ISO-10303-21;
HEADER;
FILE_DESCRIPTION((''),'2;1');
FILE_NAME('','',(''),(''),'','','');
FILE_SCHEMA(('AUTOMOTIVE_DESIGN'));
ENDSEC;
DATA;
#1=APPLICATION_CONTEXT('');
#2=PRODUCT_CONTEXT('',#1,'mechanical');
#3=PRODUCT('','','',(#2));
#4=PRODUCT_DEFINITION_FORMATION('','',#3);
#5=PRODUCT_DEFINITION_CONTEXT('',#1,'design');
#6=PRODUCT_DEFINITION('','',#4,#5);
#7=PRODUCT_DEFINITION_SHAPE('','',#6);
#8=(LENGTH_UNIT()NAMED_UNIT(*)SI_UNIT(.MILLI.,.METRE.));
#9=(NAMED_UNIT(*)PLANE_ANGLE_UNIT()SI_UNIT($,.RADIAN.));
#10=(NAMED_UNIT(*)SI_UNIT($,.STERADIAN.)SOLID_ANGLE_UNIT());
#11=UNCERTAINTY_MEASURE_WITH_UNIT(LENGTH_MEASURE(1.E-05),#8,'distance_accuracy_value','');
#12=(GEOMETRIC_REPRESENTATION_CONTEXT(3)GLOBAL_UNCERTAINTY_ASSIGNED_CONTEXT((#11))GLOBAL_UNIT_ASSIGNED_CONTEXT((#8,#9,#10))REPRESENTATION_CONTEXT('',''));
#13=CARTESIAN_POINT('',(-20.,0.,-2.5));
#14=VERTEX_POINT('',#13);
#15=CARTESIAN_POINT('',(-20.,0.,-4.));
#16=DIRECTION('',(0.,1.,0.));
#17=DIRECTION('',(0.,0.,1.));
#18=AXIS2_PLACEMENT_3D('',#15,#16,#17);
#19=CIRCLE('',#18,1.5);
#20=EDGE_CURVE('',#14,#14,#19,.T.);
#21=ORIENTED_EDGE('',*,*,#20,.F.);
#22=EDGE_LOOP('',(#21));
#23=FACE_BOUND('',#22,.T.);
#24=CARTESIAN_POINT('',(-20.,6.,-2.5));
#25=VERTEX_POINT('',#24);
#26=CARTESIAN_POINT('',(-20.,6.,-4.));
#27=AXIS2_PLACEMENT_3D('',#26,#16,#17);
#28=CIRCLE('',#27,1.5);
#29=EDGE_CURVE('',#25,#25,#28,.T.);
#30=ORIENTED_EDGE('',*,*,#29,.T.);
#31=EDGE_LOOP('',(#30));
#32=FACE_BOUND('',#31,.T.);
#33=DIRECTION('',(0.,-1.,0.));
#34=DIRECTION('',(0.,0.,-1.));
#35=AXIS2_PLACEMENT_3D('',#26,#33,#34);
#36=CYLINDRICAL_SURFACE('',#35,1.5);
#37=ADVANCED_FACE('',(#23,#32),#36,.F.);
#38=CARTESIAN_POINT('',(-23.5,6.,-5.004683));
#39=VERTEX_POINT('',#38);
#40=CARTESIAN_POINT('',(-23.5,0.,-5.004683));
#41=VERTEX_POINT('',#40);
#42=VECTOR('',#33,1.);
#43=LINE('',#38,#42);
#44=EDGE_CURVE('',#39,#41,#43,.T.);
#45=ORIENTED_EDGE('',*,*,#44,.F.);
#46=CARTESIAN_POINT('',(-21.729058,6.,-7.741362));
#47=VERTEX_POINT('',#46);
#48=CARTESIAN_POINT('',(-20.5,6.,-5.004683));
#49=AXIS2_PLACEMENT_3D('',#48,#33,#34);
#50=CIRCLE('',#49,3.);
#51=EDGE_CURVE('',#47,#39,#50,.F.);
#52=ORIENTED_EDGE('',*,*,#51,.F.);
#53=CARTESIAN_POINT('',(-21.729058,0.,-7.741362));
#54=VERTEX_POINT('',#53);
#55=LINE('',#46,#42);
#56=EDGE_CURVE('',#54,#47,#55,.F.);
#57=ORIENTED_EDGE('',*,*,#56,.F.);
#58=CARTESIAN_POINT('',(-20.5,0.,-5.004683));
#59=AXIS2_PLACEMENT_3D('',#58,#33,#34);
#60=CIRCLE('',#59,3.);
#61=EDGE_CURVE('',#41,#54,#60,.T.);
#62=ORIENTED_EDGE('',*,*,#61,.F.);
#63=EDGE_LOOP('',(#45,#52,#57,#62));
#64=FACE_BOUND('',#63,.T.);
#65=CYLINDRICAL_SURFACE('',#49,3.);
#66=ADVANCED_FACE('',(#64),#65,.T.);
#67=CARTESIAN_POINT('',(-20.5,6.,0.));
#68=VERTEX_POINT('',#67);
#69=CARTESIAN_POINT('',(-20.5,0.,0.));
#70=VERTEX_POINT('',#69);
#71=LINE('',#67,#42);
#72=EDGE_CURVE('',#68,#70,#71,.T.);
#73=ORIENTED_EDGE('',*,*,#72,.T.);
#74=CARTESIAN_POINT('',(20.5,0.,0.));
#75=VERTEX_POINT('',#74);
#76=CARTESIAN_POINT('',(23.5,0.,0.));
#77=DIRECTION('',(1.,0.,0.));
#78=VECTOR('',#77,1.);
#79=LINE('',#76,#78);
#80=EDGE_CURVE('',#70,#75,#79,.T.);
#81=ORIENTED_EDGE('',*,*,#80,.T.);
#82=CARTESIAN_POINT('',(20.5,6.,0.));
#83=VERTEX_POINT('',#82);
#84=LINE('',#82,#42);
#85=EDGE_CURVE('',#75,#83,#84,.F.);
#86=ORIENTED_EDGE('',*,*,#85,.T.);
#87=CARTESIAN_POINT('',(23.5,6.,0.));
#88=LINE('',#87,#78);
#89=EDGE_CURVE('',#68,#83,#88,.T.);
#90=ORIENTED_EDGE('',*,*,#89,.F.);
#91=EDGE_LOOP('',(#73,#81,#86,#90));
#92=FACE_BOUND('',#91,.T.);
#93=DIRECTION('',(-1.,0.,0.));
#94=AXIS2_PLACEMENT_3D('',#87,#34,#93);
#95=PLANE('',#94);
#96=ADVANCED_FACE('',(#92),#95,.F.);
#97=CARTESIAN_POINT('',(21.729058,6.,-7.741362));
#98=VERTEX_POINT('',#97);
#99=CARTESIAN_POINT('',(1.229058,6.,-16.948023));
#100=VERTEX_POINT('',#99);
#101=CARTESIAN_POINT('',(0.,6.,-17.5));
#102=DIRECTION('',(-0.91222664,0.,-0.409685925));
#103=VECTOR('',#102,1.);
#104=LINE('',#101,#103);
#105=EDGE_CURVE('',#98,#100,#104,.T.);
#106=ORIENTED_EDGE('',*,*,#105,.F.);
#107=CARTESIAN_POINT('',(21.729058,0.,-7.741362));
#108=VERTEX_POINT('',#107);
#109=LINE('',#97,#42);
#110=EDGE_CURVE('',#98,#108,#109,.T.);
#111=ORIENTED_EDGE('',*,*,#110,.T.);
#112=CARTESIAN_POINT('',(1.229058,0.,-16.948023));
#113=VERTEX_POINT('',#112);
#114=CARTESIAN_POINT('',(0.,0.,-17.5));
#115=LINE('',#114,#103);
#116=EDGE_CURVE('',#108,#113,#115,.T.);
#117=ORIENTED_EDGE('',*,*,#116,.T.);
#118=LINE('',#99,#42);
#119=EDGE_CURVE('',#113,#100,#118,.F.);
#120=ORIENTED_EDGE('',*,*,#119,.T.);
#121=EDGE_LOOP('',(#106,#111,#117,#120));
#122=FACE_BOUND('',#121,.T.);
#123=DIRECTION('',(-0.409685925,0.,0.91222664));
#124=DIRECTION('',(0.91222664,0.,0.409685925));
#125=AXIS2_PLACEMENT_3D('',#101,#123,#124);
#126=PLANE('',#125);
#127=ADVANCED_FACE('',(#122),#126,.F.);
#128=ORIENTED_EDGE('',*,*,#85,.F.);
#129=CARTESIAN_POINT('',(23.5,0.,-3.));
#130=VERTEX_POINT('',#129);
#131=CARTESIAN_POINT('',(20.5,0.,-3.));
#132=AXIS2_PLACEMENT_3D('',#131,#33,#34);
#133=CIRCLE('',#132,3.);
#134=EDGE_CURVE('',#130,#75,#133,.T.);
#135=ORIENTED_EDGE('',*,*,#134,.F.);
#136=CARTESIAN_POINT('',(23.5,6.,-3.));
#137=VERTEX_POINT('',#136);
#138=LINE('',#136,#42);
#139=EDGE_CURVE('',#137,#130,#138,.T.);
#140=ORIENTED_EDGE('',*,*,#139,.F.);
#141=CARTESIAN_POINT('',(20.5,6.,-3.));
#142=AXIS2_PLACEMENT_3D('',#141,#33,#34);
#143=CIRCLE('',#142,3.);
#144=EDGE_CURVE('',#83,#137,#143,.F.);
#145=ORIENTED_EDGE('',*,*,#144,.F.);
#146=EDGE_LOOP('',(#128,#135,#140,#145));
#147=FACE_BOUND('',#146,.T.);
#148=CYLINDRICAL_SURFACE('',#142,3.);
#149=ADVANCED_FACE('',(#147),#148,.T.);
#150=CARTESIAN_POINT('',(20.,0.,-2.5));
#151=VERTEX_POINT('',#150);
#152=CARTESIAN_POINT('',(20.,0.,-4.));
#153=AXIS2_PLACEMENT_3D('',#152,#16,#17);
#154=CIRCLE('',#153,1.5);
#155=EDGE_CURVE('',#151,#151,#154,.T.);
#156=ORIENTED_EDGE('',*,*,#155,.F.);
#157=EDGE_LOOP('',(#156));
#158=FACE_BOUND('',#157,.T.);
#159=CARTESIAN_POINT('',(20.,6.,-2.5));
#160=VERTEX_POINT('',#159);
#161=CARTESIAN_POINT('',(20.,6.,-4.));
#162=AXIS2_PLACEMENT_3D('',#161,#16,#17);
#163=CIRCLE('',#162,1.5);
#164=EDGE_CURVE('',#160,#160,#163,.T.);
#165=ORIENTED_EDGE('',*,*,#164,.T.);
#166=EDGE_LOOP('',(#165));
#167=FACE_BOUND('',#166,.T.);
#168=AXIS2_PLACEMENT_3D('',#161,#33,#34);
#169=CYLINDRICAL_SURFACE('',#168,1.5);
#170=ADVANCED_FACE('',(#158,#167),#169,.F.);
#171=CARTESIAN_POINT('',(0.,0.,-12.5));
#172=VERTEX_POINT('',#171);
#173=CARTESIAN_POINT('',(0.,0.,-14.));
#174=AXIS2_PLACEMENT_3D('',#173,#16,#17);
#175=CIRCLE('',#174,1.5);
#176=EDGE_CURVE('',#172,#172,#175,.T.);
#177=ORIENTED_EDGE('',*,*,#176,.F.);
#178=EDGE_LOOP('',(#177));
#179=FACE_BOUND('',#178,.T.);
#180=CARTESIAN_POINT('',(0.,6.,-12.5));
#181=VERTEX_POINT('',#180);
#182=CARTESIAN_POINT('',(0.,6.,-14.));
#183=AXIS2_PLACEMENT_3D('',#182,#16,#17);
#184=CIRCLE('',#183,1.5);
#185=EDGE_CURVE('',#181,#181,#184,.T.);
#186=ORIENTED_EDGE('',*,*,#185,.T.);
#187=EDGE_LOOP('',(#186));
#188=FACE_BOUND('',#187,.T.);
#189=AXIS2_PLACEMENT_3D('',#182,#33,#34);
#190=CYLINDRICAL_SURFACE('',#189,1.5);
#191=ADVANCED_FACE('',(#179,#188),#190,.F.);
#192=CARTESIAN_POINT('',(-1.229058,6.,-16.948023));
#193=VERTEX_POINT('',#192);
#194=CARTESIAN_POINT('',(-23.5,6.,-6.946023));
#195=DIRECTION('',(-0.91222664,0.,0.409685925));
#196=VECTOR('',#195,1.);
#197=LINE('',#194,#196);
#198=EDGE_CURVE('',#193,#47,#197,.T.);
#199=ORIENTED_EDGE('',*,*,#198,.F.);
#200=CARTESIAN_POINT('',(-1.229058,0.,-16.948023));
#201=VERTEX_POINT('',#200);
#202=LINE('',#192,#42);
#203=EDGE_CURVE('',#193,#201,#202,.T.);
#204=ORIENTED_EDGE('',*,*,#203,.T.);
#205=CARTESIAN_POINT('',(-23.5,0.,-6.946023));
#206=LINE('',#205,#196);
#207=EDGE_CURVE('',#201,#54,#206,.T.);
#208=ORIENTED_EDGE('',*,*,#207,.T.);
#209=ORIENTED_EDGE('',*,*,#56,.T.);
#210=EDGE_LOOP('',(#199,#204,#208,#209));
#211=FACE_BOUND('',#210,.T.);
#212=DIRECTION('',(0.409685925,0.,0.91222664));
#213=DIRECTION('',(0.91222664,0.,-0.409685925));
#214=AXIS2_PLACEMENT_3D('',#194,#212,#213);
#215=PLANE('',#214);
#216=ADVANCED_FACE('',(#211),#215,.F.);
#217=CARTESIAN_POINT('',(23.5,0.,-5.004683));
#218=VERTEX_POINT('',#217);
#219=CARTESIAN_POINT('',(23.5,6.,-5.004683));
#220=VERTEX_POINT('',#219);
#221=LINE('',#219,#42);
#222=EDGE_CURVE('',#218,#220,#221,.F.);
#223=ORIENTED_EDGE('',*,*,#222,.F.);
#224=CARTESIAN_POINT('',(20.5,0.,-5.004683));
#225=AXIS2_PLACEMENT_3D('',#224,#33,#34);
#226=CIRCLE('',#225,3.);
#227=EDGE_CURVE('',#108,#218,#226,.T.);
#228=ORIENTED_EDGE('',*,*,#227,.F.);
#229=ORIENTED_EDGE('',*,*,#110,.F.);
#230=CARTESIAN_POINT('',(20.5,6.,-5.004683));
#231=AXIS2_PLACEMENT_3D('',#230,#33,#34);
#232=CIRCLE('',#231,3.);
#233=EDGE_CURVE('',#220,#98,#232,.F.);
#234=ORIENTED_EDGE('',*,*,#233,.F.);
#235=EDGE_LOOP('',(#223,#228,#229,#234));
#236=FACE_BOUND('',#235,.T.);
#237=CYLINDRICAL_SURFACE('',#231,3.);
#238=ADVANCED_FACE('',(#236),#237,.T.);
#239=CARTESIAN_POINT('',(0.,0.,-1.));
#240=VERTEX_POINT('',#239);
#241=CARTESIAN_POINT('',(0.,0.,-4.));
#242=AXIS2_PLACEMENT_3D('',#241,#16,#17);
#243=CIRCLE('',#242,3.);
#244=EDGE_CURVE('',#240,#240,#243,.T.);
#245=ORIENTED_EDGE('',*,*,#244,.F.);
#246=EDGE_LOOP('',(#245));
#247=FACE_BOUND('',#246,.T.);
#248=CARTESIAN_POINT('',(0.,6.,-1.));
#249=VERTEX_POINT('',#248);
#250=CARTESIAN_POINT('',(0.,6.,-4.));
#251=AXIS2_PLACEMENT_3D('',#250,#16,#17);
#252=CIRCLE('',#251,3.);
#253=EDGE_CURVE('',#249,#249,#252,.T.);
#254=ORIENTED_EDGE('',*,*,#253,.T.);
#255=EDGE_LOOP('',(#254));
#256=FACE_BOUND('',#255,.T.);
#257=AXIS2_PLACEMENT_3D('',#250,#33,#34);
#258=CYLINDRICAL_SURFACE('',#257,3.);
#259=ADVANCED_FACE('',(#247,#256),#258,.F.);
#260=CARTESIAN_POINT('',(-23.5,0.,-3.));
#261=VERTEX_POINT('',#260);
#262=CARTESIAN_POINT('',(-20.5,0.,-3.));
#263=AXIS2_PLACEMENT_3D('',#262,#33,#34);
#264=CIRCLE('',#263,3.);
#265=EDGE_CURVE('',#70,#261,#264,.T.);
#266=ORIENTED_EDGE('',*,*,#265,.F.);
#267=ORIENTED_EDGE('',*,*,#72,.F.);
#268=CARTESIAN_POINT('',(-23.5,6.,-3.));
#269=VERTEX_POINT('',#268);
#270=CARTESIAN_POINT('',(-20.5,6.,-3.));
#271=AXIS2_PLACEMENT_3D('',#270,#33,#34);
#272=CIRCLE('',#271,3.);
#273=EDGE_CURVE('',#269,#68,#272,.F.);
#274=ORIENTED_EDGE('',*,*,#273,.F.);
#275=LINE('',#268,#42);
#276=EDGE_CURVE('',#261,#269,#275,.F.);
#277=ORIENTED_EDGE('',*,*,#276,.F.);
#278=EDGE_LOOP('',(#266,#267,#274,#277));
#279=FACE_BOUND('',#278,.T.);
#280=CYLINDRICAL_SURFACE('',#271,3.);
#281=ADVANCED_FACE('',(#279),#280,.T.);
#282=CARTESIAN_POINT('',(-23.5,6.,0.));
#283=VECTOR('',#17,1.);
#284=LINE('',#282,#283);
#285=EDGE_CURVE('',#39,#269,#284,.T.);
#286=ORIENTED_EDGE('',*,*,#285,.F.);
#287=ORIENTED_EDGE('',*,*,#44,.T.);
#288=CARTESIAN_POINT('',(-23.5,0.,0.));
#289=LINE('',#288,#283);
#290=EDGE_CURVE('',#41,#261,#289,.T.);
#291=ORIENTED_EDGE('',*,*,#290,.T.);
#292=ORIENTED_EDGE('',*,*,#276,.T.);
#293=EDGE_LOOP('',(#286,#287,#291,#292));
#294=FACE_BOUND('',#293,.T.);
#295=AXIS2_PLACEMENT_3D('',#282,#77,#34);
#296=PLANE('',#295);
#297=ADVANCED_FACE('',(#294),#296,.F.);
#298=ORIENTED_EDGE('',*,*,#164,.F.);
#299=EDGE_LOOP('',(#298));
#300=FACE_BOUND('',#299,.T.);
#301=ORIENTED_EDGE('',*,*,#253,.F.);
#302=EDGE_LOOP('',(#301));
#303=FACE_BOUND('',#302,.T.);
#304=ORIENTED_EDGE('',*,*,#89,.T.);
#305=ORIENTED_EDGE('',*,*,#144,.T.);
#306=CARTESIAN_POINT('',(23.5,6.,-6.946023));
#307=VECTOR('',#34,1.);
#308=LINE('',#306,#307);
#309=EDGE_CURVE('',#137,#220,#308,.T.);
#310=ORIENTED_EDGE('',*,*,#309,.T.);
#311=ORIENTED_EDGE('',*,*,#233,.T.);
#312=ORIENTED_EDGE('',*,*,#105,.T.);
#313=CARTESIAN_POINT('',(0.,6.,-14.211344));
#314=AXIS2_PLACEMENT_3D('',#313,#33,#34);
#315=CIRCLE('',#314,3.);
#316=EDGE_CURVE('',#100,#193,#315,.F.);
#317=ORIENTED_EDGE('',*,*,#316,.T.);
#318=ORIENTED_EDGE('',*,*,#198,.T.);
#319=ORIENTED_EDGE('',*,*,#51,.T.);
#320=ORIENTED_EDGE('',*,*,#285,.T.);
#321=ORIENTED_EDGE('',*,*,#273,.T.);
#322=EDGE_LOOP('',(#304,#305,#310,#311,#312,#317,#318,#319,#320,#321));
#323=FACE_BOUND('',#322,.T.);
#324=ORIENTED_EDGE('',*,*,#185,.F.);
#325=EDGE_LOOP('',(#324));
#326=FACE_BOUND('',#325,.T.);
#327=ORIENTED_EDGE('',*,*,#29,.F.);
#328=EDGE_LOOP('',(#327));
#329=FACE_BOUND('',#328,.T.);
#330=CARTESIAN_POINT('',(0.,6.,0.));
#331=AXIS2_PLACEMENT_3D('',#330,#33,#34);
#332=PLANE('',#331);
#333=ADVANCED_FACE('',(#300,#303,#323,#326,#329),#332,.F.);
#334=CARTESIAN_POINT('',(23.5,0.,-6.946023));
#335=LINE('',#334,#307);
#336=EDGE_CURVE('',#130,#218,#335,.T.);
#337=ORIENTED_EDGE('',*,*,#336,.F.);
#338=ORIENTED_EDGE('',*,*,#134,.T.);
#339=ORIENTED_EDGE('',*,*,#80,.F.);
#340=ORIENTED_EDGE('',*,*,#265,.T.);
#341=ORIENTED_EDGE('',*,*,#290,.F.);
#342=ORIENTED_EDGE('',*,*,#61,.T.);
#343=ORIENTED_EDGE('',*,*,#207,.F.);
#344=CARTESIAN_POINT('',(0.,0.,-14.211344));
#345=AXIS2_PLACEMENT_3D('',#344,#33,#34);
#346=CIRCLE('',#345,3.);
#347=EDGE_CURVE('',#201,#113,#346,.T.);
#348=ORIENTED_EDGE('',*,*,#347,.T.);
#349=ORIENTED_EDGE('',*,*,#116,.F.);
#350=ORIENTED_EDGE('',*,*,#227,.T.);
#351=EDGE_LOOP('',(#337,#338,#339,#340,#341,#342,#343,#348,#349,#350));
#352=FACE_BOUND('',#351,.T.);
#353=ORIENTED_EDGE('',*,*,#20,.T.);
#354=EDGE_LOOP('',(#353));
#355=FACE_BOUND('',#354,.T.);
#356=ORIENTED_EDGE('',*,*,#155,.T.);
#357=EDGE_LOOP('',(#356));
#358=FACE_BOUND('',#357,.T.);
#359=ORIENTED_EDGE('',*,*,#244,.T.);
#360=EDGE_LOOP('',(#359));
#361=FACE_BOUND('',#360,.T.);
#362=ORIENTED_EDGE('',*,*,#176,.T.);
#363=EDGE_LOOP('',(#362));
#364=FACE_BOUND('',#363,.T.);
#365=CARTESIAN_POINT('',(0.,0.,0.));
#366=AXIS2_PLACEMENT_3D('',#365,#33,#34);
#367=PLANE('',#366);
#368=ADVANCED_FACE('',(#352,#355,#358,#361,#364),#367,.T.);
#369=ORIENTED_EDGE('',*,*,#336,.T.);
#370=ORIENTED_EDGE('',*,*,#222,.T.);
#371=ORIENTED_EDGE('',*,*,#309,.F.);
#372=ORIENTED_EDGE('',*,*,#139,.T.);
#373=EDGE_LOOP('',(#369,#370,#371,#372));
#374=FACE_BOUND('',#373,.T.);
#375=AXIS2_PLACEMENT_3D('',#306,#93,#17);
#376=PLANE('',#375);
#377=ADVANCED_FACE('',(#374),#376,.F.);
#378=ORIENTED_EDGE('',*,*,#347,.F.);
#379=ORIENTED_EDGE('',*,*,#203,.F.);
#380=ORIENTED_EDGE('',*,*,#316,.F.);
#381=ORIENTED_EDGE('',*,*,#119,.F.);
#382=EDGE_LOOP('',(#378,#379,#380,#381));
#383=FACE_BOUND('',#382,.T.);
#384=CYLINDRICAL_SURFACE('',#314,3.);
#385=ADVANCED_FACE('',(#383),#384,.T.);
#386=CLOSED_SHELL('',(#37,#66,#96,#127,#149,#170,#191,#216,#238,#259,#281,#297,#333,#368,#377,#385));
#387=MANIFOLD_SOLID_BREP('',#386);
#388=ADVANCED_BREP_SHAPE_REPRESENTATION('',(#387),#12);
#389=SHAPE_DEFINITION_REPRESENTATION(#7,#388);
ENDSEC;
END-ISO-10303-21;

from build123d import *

# Parameters (mm, degrees)
SKETCH1_R           = 3
SKETCH1_R_2         = 1.5
BOSS_EXTRUDE1_DEPTH = 6
FILLET1_R           = 3


with BuildPart() as part:
    # Sketch1 → Boss-Extrude1 (new body)
    with BuildSketch(Plane(origin=(0, 0, 0), x_dir=(1, 0, 0), z_dir=(0, 1, 0))):
        Polygon((23.5, 0), (-23.5, 0), (-23.5, 6.946022727), (0, 17.5), (23.5, 6.946022727), align=None)
        with Locations((0, 4)):
            Circle(SKETCH1_R, mode=Mode.SUBTRACT)
        with Locations((20, 4)):
            Circle(SKETCH1_R_2, mode=Mode.SUBTRACT)
        with Locations((-20, 4)):
            Circle(SKETCH1_R_2, mode=Mode.SUBTRACT)
        with Locations((0, 14)):
            Circle(SKETCH1_R_2, mode=Mode.SUBTRACT)
    extrude(amount=BOSS_EXTRUDE1_DEPTH)

    # Fillet1
    fillet1_edges = [part.edges().sort_by_distance(p)[0] for p in [
        (23.5, 3, 0),
        (-23.5, 3, 0),
        (-23.5, 3, -6.946022727),
        (0, 3, -17.5),
        (23.5, 3, -6.946022727),
    ]]
    fillet(fillet1_edges, radius=FILLET1_R)


solid = part.part
